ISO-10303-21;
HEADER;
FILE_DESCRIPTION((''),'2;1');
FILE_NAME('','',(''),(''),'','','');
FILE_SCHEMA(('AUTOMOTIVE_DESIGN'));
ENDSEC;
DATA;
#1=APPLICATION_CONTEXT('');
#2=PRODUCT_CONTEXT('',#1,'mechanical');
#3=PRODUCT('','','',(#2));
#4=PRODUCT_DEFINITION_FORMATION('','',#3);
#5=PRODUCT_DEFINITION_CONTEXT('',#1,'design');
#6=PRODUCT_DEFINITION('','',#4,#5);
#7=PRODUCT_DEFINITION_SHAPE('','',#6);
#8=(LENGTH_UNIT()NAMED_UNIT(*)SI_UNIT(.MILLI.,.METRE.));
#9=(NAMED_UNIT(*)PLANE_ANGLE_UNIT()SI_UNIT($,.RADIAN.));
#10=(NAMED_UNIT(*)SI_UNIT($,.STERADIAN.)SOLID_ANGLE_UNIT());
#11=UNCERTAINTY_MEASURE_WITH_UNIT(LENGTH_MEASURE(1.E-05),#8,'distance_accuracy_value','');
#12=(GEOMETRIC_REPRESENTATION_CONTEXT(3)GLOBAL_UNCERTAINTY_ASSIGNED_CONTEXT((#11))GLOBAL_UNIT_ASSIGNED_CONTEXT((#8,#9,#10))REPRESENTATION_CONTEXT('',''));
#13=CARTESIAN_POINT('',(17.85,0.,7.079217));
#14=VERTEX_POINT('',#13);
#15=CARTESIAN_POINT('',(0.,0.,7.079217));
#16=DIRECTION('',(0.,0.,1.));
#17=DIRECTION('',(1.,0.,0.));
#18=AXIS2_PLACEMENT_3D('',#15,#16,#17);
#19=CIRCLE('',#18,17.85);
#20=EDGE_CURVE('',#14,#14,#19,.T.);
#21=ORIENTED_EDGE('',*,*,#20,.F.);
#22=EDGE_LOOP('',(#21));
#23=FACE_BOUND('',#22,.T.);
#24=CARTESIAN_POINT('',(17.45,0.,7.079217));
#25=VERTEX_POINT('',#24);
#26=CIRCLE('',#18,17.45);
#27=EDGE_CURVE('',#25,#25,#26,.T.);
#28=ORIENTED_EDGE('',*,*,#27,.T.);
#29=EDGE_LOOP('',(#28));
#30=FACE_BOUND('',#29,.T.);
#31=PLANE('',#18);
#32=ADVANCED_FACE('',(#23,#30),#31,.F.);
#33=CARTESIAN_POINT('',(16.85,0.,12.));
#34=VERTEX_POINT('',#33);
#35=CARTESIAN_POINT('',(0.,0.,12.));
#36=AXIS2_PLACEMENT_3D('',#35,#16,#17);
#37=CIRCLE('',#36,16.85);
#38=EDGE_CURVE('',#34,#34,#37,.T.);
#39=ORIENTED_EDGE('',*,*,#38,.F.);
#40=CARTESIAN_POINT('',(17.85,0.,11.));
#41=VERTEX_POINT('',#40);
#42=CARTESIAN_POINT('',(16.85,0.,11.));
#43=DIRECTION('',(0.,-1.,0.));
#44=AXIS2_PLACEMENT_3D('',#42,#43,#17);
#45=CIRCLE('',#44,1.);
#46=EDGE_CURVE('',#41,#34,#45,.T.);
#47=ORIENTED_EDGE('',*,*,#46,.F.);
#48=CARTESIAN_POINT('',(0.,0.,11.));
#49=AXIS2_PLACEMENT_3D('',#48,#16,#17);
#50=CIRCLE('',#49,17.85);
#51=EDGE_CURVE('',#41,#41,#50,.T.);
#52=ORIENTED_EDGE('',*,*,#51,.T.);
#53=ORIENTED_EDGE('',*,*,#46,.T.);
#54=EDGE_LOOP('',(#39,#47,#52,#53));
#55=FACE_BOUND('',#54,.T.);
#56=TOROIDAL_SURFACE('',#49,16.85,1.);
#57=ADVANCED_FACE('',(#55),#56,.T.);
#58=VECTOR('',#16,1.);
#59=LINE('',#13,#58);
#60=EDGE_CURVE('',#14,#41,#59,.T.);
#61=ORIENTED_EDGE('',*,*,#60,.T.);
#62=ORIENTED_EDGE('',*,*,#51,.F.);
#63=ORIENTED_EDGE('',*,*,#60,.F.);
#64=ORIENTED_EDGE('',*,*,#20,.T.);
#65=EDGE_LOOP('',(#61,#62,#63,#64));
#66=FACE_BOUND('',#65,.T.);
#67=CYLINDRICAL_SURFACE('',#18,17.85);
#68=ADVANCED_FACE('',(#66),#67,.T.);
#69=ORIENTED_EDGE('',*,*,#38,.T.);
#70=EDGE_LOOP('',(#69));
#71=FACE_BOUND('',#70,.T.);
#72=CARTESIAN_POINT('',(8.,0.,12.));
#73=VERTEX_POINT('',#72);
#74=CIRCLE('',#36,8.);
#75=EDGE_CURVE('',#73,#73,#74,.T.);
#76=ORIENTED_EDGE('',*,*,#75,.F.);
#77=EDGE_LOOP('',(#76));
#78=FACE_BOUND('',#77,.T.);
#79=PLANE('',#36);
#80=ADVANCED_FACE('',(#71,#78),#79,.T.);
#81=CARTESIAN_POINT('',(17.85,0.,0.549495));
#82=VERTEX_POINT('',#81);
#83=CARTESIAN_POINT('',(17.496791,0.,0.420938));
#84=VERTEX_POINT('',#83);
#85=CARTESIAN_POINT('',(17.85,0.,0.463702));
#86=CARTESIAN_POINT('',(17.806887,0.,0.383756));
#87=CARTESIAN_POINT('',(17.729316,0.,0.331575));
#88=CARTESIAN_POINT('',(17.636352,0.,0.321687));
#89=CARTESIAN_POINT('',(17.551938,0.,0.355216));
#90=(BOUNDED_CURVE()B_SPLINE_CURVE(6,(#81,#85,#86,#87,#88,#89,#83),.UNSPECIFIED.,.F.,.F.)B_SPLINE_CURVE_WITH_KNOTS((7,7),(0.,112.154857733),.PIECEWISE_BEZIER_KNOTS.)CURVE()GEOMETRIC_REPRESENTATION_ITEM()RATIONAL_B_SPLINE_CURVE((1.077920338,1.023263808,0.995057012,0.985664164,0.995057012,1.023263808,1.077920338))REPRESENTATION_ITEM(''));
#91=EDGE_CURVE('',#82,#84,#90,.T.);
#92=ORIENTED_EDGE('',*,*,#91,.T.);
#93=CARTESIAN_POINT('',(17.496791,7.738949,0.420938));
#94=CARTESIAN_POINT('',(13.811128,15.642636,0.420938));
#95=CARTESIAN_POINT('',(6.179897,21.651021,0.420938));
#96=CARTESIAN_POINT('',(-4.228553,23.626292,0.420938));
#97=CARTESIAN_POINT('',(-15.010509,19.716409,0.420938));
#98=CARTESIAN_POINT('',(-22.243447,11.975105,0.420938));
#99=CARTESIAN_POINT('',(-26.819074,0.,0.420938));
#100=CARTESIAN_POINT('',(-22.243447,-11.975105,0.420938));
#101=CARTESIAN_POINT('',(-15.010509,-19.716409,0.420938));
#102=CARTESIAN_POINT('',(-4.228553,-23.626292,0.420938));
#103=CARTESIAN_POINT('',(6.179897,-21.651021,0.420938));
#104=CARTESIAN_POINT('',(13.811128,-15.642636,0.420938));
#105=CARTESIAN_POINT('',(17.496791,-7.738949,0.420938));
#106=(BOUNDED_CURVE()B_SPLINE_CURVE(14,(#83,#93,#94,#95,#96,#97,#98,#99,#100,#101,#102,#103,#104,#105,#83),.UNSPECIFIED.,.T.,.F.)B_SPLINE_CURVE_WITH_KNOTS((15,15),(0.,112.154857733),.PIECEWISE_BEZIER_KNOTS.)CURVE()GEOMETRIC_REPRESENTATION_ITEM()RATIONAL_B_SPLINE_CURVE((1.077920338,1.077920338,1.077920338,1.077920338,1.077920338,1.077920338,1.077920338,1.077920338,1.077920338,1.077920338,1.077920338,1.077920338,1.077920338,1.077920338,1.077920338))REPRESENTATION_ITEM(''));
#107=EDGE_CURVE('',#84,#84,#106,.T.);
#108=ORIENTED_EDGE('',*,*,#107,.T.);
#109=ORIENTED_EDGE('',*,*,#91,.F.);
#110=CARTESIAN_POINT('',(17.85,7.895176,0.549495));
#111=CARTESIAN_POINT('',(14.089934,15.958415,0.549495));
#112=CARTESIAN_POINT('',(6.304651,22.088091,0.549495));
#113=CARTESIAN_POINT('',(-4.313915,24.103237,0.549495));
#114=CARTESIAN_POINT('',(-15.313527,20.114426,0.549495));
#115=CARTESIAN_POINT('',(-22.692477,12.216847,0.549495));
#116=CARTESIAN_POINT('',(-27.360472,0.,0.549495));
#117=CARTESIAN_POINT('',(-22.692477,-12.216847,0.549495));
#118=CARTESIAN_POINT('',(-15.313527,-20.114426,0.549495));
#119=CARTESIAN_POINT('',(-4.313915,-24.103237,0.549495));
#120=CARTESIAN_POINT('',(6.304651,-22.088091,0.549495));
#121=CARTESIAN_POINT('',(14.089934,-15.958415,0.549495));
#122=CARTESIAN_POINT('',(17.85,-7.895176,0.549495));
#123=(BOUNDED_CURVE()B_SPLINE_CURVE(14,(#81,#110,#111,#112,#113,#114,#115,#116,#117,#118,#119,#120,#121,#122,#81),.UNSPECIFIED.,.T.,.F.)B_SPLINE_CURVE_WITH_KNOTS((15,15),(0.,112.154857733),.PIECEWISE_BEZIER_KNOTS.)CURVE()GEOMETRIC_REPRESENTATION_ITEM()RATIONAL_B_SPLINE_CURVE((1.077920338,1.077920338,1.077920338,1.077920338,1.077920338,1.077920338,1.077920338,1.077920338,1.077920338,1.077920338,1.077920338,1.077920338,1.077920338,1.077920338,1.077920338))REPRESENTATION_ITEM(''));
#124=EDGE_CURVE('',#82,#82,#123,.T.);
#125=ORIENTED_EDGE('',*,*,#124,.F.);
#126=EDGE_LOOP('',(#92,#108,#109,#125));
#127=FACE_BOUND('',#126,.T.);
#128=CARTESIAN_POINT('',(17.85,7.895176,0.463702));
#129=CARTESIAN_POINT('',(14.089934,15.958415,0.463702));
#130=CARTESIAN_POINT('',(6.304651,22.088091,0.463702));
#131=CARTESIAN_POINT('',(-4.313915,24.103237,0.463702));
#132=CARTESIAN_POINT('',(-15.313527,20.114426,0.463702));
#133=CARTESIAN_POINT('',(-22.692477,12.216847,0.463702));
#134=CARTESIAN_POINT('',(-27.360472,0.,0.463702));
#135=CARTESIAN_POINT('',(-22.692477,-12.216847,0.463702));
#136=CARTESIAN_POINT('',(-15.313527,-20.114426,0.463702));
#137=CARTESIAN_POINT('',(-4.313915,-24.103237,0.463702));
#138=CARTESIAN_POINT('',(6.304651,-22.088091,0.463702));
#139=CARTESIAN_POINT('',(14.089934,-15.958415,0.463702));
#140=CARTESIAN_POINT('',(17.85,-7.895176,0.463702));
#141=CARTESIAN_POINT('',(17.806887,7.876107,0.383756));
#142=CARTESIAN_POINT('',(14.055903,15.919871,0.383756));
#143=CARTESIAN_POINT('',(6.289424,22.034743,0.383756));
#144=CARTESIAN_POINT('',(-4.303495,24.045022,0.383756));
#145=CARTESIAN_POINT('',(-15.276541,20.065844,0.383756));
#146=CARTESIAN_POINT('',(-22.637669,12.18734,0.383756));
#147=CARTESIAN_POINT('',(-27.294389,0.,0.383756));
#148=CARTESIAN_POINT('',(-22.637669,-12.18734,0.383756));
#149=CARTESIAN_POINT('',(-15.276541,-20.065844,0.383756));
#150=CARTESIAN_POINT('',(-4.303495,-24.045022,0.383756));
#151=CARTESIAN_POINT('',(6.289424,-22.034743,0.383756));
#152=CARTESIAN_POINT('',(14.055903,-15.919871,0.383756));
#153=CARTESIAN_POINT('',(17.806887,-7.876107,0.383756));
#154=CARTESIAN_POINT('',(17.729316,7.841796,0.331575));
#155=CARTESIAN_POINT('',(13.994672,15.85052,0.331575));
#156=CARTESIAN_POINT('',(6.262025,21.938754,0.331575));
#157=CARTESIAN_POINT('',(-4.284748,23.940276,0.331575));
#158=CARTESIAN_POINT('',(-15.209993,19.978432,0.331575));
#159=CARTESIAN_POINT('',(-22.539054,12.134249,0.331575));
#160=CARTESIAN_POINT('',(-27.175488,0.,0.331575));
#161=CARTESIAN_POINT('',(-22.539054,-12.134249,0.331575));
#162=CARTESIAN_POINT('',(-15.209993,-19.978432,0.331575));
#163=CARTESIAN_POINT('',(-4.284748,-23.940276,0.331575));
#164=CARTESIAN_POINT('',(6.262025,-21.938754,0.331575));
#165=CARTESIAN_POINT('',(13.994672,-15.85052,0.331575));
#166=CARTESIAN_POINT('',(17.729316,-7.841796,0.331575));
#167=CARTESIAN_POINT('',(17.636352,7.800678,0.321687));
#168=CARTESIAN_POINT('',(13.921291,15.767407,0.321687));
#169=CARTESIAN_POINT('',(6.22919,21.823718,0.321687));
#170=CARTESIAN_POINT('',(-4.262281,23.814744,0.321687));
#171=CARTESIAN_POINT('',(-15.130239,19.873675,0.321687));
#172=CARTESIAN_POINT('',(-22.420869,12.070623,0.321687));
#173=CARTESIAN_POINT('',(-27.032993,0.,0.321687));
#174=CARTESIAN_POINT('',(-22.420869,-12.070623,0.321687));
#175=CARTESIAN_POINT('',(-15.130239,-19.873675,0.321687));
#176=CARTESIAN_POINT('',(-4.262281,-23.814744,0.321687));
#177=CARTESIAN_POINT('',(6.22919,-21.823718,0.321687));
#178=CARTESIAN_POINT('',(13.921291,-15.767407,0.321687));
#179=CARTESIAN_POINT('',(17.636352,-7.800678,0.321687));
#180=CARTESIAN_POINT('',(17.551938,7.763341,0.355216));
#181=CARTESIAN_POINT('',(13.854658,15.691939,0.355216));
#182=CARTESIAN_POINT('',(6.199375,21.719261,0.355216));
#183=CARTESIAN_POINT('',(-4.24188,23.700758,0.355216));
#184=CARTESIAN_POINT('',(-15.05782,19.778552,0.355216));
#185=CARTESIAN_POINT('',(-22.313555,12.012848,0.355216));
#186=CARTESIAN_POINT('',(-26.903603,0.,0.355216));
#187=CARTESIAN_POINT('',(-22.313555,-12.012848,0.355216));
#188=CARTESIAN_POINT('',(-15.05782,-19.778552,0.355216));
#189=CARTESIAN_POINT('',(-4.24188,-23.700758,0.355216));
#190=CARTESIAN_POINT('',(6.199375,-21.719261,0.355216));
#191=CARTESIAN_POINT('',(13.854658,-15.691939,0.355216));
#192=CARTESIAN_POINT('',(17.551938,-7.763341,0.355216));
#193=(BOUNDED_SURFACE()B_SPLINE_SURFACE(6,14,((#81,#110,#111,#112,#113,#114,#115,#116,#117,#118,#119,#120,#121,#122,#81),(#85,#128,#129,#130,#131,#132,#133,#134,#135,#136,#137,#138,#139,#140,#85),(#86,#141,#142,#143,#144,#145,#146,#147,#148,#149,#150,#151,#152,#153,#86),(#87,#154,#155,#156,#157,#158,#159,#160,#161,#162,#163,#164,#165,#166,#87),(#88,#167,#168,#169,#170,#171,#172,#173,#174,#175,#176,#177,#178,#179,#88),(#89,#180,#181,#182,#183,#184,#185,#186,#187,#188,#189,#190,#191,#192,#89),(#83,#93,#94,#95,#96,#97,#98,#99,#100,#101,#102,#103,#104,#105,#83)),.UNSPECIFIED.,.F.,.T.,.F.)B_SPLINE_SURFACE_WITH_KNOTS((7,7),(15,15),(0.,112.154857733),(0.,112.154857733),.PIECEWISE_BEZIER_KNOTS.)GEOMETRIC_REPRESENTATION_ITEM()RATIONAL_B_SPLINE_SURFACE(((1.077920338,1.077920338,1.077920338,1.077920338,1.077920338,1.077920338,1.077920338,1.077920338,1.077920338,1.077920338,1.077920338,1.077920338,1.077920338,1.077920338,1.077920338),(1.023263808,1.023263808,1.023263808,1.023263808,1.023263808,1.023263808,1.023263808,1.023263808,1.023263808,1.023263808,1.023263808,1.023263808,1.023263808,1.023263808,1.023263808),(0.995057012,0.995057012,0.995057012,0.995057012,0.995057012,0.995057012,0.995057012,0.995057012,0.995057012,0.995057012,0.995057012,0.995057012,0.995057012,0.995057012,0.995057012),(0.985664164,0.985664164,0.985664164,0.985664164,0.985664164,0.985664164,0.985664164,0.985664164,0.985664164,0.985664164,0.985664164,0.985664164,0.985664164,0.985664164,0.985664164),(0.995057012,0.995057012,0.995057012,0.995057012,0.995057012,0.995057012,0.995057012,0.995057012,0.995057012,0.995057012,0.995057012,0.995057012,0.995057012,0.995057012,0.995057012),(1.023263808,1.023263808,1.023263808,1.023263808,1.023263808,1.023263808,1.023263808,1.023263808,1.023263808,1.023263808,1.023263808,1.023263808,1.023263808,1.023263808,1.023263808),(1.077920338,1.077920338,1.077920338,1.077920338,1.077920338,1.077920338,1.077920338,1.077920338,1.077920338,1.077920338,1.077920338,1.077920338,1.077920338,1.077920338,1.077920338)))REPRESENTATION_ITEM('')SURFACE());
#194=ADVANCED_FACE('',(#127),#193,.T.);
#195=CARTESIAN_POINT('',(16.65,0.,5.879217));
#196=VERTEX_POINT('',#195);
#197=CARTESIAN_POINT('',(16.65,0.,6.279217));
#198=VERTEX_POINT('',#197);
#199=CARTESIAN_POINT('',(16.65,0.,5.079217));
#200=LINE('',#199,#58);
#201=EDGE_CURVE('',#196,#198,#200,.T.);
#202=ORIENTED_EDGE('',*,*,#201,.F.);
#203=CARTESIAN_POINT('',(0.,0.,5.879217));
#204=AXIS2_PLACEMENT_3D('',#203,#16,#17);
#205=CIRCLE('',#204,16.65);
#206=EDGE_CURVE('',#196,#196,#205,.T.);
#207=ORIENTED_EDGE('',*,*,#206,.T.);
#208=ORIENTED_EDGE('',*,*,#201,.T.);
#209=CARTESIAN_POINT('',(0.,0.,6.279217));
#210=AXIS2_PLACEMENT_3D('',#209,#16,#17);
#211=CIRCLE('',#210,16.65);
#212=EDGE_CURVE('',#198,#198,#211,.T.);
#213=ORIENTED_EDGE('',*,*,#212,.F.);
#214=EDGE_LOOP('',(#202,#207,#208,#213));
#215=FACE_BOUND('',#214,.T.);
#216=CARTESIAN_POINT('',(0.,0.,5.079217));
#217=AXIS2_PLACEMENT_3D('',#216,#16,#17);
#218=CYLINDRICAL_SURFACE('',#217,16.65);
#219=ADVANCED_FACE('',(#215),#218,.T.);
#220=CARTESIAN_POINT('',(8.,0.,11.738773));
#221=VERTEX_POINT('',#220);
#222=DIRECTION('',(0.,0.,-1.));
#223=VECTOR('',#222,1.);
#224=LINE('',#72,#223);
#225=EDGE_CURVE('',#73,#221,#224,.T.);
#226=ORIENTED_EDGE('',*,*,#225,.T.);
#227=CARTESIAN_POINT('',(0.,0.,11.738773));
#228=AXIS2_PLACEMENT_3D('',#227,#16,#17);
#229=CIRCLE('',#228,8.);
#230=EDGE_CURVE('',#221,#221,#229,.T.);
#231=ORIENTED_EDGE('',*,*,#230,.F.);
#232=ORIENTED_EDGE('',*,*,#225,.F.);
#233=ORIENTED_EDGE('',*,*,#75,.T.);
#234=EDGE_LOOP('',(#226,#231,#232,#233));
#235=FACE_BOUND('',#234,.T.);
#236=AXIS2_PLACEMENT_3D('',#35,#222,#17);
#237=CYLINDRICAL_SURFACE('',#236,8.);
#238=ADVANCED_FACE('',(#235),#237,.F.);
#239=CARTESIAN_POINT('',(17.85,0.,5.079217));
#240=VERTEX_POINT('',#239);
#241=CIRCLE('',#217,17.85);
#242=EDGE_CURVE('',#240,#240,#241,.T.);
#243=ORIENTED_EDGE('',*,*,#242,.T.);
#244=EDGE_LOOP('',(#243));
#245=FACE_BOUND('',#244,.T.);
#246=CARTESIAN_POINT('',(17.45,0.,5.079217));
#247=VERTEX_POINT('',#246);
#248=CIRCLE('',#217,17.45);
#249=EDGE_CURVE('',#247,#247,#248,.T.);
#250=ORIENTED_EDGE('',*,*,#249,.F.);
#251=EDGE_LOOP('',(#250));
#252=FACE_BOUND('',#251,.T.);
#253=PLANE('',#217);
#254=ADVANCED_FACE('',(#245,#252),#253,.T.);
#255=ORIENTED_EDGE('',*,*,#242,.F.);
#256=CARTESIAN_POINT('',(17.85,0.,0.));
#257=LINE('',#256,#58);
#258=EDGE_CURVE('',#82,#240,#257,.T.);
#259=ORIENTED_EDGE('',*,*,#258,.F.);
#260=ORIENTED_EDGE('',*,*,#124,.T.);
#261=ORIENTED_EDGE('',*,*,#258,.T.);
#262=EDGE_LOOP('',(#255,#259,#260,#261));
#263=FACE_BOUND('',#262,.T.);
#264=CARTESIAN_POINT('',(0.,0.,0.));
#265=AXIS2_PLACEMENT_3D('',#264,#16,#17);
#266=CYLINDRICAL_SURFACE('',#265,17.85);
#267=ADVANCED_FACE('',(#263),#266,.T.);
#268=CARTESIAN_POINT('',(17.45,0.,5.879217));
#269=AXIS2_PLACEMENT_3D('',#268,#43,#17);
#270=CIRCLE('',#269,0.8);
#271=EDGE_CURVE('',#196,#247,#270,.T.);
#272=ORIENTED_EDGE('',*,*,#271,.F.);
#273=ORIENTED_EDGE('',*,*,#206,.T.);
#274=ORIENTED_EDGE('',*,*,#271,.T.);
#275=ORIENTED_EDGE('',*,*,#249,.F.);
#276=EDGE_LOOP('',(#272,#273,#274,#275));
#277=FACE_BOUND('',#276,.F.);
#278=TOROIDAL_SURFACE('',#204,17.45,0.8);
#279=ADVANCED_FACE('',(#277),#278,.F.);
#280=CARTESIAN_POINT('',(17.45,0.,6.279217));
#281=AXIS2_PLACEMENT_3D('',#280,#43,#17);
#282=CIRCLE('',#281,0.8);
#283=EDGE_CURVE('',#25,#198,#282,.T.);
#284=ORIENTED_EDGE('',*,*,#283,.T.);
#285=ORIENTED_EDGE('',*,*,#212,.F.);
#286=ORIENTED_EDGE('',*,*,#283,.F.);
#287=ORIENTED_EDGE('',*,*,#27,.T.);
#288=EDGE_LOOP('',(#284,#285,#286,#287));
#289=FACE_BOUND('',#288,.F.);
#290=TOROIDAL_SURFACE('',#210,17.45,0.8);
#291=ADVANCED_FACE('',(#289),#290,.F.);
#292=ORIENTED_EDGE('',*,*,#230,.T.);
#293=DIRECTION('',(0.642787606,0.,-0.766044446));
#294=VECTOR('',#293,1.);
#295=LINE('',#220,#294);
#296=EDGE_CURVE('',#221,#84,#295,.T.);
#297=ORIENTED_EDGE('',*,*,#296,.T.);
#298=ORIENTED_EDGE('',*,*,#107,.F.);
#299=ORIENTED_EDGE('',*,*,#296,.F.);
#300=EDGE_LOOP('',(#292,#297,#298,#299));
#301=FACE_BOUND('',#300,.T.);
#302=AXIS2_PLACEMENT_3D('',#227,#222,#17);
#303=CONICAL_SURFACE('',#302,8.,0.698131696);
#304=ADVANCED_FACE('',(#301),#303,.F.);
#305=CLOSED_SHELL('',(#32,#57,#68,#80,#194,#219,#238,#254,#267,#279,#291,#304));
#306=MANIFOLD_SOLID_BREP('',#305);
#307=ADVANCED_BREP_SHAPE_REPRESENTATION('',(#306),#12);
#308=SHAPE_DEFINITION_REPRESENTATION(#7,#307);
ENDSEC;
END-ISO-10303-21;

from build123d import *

# Parameters (mm, degrees)
F2_R = 1
F3_R = 0.8
F4_R = 0.2


with BuildPart() as f1:
    # F0 (on Front) → F1 (revolve)
    with BuildSketch(Plane.XZ):
        Polygon((8, 11.738773), (17.85, 0), (17.85, 5.079217), (16.65, 5.079217), (16.65, 7.079217), (17.85, 7.079217), (17.85, 12), (8, 12), align=None)
    revolve(axis=Axis((0, 0, 4.741906), (0, 0, 1)))

    # F2
    f2_edges = [f1.edges().sort_by_distance(p)[0] for p in [
        (-17.85, 0, 12),
    ]]
    fillet(f2_edges, radius=F2_R)

    # F3
    f3_edges = [f1.edges().sort_by_distance(p)[0] for p in [
        (-16.65, 0, 7.079217),
        (-16.65, 0, 5.079217),
    ]]
    fillet(f3_edges, radius=F3_R)

    # F4
    f4_edges = [f1.edges().sort_by_distance(p)[0] for p in [
        (-17.85, 0, 0),
    ]]
    fillet(f4_edges, radius=F4_R)


solid = f1.part
